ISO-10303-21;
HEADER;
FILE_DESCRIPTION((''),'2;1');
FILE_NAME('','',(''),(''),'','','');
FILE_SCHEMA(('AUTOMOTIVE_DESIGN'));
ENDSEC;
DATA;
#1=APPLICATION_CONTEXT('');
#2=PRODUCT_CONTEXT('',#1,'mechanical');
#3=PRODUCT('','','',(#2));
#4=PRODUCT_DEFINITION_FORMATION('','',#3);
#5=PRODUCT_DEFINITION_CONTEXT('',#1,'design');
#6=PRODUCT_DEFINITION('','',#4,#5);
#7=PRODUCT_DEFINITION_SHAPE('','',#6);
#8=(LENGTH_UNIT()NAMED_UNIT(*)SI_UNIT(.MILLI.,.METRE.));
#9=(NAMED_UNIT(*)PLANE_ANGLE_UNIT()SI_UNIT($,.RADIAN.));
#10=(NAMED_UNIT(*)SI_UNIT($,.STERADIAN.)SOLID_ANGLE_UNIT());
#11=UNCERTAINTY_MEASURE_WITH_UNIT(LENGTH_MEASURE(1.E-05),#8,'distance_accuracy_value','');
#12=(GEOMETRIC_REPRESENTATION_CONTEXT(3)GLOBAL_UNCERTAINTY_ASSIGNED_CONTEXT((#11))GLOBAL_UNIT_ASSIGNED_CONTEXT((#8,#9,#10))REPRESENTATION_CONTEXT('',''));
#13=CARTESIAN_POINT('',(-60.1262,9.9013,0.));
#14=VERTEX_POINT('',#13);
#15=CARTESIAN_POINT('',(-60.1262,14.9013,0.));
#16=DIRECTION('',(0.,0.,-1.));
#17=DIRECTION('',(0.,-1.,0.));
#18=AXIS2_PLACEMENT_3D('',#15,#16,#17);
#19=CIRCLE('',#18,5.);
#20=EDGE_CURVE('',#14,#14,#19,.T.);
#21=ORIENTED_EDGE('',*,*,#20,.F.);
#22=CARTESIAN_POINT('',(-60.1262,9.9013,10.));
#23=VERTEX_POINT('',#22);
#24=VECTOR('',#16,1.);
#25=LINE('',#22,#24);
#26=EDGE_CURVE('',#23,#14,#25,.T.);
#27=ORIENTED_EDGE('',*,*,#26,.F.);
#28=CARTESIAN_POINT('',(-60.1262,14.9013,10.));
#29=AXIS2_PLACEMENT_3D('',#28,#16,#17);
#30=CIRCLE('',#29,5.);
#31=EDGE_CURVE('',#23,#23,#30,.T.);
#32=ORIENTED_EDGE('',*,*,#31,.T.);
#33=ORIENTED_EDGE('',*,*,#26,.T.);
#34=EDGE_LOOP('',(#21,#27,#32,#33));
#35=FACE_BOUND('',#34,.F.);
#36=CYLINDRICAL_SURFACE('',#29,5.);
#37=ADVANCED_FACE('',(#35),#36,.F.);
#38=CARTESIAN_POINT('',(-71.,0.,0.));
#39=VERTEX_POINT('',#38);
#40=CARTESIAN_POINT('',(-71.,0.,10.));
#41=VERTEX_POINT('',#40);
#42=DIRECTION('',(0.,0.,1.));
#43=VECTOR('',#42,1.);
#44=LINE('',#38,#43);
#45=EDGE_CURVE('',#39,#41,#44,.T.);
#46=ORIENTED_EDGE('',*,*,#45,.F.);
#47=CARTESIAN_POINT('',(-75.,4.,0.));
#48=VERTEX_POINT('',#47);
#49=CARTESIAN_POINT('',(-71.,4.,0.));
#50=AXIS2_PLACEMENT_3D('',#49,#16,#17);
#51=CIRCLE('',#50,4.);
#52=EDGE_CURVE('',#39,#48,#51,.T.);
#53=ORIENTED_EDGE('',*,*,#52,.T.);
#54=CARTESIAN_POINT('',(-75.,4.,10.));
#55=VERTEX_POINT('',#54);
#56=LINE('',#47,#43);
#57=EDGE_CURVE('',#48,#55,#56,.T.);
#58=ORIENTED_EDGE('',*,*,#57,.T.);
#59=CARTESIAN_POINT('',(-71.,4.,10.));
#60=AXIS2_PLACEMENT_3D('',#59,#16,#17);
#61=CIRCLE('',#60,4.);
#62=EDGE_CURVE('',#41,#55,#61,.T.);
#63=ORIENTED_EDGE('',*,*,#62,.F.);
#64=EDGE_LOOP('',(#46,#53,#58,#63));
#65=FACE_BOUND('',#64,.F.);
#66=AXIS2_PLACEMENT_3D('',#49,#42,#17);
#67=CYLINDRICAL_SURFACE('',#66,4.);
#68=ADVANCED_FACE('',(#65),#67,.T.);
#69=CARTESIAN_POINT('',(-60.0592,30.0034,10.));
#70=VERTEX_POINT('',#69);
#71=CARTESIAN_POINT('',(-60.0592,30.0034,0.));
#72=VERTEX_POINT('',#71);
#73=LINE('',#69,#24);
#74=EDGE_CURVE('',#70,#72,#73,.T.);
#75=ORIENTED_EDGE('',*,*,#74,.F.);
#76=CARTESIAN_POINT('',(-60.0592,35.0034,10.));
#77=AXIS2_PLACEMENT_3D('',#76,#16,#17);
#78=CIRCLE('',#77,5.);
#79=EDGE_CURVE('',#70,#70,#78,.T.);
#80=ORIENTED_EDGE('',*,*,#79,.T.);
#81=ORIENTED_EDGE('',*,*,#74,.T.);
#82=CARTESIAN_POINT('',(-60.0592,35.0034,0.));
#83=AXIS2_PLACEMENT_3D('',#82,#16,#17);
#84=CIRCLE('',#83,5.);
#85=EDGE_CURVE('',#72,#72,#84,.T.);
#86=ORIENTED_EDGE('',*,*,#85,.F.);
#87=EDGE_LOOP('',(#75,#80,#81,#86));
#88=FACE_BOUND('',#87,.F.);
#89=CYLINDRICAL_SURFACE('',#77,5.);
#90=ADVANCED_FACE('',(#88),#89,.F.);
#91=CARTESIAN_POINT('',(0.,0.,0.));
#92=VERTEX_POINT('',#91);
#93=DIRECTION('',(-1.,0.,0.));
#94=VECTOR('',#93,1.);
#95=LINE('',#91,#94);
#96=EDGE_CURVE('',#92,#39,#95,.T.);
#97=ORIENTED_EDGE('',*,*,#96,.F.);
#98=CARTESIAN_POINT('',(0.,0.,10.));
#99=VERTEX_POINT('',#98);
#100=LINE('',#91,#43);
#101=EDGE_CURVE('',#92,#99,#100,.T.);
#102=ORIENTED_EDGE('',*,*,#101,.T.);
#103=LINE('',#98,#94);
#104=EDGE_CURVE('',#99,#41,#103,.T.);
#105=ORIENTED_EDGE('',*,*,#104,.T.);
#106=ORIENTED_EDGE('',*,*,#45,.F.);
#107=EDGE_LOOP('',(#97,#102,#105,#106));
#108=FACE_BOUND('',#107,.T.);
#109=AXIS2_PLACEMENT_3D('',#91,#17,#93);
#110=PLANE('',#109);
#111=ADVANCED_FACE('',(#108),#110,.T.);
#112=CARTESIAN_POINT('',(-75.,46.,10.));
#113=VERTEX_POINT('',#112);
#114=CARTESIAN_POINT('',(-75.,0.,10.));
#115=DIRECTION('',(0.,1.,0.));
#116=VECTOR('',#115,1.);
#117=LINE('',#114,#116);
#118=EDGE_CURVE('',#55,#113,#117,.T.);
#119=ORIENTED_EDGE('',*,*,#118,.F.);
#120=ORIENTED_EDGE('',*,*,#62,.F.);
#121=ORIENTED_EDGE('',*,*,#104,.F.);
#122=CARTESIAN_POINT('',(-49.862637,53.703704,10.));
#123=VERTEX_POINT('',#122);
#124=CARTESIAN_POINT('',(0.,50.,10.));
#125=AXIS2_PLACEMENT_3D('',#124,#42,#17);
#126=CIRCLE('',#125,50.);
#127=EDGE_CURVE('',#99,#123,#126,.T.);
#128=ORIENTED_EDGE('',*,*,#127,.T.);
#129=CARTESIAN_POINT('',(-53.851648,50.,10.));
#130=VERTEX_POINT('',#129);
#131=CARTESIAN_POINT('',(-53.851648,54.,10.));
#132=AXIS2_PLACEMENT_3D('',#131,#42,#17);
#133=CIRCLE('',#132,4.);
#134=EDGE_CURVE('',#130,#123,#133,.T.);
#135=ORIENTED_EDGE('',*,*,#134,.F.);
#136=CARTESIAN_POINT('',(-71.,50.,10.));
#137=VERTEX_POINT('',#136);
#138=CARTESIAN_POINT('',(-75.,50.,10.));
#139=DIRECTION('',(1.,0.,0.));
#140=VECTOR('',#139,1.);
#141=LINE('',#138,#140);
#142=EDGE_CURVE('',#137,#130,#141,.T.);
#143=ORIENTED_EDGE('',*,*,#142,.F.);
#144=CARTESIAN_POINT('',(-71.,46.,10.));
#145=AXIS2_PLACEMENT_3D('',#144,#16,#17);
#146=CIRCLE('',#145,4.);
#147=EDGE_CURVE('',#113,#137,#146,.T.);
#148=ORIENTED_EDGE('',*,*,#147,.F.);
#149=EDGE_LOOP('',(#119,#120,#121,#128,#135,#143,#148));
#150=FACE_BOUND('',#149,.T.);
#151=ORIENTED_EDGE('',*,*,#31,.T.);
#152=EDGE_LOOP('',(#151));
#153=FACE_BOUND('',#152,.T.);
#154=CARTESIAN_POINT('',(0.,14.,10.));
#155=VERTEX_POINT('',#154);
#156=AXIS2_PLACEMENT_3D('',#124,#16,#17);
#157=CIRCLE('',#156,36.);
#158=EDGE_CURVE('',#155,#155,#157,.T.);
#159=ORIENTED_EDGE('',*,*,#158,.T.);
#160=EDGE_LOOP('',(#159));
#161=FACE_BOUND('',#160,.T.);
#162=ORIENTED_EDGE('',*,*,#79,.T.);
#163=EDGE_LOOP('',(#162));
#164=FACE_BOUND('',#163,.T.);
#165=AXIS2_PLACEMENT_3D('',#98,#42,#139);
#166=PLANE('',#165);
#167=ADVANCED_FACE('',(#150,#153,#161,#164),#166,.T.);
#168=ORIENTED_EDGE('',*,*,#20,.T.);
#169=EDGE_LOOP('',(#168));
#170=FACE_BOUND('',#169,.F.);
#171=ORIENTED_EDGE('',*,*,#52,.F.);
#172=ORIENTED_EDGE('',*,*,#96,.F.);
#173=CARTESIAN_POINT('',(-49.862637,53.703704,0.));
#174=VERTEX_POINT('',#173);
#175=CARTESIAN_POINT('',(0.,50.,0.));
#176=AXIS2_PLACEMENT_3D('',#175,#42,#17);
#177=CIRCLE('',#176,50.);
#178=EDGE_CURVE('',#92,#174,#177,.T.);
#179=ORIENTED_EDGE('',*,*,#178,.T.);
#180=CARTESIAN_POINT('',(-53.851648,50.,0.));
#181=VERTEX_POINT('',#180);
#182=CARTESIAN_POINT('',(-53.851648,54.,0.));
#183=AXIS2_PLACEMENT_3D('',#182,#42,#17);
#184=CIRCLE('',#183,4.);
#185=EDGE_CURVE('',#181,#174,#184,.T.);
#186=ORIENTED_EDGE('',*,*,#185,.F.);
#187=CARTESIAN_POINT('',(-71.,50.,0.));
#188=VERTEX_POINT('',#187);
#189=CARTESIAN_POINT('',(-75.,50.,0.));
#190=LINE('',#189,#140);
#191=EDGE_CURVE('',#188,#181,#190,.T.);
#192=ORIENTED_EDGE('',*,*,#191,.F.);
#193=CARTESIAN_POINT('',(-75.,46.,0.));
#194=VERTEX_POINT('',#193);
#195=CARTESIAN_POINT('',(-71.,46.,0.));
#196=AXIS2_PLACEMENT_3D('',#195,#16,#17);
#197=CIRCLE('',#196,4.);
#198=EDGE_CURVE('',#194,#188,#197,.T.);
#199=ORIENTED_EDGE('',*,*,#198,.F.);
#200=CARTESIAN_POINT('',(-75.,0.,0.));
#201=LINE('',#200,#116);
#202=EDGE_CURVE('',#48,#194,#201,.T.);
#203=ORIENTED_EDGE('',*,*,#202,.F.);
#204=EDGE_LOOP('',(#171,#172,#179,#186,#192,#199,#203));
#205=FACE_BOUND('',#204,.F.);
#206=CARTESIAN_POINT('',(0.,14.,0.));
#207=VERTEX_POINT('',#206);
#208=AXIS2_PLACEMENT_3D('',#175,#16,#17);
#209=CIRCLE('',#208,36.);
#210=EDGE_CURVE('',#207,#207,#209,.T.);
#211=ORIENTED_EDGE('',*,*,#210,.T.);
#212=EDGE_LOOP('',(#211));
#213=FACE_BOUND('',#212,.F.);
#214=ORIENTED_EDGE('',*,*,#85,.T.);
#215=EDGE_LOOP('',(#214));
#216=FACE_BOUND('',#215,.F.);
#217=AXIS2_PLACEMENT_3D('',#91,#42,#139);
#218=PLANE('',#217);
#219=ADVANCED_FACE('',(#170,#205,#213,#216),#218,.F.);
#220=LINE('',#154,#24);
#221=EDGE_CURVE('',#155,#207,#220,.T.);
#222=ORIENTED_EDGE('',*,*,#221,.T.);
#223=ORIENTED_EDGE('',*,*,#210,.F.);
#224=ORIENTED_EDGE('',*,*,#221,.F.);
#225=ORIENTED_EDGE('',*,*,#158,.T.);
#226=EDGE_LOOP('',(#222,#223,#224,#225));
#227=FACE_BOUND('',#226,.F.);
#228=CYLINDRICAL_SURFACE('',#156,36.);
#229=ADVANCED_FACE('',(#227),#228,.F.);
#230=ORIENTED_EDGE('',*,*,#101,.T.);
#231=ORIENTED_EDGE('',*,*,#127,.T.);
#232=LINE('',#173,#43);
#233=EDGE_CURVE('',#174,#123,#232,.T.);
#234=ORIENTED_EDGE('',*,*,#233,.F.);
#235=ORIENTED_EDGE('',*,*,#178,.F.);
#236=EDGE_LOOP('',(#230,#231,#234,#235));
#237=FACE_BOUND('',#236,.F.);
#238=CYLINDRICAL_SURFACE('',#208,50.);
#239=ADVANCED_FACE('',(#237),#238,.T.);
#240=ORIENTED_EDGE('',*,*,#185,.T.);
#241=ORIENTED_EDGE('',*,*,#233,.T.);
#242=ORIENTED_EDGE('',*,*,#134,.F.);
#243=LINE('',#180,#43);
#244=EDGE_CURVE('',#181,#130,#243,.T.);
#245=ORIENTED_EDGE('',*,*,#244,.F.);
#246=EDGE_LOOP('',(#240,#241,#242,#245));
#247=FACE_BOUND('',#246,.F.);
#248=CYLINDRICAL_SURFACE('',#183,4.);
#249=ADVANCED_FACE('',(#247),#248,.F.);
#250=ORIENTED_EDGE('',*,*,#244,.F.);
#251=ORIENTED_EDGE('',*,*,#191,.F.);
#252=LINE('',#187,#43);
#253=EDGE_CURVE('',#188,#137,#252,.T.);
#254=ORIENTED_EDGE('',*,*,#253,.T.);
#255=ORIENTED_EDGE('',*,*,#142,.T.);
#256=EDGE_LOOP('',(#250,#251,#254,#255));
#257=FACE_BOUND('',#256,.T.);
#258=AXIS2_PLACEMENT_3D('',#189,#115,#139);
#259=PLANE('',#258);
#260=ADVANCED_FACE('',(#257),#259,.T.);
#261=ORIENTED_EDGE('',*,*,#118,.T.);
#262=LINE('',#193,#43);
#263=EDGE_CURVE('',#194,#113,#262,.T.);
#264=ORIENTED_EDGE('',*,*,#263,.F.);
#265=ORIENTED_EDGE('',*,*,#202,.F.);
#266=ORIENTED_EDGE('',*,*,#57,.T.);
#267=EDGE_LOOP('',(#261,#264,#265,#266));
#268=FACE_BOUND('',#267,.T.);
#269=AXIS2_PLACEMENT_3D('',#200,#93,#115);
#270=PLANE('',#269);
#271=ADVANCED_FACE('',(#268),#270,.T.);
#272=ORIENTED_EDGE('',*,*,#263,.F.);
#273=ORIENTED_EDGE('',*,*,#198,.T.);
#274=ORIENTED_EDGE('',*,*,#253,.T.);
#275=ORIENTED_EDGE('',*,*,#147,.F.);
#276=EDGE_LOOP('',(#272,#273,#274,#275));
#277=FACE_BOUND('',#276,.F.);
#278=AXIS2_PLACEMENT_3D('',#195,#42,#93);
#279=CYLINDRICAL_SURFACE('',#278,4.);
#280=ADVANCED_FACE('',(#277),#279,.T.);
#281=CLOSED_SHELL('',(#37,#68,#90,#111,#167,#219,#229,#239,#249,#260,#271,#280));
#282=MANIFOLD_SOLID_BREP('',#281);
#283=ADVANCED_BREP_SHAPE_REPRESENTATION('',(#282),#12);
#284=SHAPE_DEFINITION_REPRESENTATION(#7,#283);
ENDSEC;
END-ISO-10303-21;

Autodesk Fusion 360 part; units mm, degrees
sketch "Sketch1" plane through (0, 0, 0) normal (0, 0, 1) x (1, 0, 0)
  line L0 (0, 0) -> (-75, 0)
  line L1 (-75, 0) -> (-75, 50)
  line L2 (-75, 50) -> (-50, 50)
  arc A0 (0, 0) -> (-50, 50) centre (0, 50) ccw
extrude "Extrude1" add sketch "Sketch1" along normal blind 10
fillet "Fillet1" radius 4 3 edges at (-75, 0, 5) (-75, 50, 5) (-50, 50, 5)
hole "Hole1" at (0, 50, 10) direction (0, 0, -1) diameter 72 depth 10 tip angle 118
hole "Hole2" at (-60.0592, 35.0034, 10) direction (0, 0, -1) diameter 10 depth 10 tip angle 118
hole "Hole3" at (-60.1262, 14.9013, 10) direction (0, 0, -1) diameter 10 depth 10 tip angle 118
